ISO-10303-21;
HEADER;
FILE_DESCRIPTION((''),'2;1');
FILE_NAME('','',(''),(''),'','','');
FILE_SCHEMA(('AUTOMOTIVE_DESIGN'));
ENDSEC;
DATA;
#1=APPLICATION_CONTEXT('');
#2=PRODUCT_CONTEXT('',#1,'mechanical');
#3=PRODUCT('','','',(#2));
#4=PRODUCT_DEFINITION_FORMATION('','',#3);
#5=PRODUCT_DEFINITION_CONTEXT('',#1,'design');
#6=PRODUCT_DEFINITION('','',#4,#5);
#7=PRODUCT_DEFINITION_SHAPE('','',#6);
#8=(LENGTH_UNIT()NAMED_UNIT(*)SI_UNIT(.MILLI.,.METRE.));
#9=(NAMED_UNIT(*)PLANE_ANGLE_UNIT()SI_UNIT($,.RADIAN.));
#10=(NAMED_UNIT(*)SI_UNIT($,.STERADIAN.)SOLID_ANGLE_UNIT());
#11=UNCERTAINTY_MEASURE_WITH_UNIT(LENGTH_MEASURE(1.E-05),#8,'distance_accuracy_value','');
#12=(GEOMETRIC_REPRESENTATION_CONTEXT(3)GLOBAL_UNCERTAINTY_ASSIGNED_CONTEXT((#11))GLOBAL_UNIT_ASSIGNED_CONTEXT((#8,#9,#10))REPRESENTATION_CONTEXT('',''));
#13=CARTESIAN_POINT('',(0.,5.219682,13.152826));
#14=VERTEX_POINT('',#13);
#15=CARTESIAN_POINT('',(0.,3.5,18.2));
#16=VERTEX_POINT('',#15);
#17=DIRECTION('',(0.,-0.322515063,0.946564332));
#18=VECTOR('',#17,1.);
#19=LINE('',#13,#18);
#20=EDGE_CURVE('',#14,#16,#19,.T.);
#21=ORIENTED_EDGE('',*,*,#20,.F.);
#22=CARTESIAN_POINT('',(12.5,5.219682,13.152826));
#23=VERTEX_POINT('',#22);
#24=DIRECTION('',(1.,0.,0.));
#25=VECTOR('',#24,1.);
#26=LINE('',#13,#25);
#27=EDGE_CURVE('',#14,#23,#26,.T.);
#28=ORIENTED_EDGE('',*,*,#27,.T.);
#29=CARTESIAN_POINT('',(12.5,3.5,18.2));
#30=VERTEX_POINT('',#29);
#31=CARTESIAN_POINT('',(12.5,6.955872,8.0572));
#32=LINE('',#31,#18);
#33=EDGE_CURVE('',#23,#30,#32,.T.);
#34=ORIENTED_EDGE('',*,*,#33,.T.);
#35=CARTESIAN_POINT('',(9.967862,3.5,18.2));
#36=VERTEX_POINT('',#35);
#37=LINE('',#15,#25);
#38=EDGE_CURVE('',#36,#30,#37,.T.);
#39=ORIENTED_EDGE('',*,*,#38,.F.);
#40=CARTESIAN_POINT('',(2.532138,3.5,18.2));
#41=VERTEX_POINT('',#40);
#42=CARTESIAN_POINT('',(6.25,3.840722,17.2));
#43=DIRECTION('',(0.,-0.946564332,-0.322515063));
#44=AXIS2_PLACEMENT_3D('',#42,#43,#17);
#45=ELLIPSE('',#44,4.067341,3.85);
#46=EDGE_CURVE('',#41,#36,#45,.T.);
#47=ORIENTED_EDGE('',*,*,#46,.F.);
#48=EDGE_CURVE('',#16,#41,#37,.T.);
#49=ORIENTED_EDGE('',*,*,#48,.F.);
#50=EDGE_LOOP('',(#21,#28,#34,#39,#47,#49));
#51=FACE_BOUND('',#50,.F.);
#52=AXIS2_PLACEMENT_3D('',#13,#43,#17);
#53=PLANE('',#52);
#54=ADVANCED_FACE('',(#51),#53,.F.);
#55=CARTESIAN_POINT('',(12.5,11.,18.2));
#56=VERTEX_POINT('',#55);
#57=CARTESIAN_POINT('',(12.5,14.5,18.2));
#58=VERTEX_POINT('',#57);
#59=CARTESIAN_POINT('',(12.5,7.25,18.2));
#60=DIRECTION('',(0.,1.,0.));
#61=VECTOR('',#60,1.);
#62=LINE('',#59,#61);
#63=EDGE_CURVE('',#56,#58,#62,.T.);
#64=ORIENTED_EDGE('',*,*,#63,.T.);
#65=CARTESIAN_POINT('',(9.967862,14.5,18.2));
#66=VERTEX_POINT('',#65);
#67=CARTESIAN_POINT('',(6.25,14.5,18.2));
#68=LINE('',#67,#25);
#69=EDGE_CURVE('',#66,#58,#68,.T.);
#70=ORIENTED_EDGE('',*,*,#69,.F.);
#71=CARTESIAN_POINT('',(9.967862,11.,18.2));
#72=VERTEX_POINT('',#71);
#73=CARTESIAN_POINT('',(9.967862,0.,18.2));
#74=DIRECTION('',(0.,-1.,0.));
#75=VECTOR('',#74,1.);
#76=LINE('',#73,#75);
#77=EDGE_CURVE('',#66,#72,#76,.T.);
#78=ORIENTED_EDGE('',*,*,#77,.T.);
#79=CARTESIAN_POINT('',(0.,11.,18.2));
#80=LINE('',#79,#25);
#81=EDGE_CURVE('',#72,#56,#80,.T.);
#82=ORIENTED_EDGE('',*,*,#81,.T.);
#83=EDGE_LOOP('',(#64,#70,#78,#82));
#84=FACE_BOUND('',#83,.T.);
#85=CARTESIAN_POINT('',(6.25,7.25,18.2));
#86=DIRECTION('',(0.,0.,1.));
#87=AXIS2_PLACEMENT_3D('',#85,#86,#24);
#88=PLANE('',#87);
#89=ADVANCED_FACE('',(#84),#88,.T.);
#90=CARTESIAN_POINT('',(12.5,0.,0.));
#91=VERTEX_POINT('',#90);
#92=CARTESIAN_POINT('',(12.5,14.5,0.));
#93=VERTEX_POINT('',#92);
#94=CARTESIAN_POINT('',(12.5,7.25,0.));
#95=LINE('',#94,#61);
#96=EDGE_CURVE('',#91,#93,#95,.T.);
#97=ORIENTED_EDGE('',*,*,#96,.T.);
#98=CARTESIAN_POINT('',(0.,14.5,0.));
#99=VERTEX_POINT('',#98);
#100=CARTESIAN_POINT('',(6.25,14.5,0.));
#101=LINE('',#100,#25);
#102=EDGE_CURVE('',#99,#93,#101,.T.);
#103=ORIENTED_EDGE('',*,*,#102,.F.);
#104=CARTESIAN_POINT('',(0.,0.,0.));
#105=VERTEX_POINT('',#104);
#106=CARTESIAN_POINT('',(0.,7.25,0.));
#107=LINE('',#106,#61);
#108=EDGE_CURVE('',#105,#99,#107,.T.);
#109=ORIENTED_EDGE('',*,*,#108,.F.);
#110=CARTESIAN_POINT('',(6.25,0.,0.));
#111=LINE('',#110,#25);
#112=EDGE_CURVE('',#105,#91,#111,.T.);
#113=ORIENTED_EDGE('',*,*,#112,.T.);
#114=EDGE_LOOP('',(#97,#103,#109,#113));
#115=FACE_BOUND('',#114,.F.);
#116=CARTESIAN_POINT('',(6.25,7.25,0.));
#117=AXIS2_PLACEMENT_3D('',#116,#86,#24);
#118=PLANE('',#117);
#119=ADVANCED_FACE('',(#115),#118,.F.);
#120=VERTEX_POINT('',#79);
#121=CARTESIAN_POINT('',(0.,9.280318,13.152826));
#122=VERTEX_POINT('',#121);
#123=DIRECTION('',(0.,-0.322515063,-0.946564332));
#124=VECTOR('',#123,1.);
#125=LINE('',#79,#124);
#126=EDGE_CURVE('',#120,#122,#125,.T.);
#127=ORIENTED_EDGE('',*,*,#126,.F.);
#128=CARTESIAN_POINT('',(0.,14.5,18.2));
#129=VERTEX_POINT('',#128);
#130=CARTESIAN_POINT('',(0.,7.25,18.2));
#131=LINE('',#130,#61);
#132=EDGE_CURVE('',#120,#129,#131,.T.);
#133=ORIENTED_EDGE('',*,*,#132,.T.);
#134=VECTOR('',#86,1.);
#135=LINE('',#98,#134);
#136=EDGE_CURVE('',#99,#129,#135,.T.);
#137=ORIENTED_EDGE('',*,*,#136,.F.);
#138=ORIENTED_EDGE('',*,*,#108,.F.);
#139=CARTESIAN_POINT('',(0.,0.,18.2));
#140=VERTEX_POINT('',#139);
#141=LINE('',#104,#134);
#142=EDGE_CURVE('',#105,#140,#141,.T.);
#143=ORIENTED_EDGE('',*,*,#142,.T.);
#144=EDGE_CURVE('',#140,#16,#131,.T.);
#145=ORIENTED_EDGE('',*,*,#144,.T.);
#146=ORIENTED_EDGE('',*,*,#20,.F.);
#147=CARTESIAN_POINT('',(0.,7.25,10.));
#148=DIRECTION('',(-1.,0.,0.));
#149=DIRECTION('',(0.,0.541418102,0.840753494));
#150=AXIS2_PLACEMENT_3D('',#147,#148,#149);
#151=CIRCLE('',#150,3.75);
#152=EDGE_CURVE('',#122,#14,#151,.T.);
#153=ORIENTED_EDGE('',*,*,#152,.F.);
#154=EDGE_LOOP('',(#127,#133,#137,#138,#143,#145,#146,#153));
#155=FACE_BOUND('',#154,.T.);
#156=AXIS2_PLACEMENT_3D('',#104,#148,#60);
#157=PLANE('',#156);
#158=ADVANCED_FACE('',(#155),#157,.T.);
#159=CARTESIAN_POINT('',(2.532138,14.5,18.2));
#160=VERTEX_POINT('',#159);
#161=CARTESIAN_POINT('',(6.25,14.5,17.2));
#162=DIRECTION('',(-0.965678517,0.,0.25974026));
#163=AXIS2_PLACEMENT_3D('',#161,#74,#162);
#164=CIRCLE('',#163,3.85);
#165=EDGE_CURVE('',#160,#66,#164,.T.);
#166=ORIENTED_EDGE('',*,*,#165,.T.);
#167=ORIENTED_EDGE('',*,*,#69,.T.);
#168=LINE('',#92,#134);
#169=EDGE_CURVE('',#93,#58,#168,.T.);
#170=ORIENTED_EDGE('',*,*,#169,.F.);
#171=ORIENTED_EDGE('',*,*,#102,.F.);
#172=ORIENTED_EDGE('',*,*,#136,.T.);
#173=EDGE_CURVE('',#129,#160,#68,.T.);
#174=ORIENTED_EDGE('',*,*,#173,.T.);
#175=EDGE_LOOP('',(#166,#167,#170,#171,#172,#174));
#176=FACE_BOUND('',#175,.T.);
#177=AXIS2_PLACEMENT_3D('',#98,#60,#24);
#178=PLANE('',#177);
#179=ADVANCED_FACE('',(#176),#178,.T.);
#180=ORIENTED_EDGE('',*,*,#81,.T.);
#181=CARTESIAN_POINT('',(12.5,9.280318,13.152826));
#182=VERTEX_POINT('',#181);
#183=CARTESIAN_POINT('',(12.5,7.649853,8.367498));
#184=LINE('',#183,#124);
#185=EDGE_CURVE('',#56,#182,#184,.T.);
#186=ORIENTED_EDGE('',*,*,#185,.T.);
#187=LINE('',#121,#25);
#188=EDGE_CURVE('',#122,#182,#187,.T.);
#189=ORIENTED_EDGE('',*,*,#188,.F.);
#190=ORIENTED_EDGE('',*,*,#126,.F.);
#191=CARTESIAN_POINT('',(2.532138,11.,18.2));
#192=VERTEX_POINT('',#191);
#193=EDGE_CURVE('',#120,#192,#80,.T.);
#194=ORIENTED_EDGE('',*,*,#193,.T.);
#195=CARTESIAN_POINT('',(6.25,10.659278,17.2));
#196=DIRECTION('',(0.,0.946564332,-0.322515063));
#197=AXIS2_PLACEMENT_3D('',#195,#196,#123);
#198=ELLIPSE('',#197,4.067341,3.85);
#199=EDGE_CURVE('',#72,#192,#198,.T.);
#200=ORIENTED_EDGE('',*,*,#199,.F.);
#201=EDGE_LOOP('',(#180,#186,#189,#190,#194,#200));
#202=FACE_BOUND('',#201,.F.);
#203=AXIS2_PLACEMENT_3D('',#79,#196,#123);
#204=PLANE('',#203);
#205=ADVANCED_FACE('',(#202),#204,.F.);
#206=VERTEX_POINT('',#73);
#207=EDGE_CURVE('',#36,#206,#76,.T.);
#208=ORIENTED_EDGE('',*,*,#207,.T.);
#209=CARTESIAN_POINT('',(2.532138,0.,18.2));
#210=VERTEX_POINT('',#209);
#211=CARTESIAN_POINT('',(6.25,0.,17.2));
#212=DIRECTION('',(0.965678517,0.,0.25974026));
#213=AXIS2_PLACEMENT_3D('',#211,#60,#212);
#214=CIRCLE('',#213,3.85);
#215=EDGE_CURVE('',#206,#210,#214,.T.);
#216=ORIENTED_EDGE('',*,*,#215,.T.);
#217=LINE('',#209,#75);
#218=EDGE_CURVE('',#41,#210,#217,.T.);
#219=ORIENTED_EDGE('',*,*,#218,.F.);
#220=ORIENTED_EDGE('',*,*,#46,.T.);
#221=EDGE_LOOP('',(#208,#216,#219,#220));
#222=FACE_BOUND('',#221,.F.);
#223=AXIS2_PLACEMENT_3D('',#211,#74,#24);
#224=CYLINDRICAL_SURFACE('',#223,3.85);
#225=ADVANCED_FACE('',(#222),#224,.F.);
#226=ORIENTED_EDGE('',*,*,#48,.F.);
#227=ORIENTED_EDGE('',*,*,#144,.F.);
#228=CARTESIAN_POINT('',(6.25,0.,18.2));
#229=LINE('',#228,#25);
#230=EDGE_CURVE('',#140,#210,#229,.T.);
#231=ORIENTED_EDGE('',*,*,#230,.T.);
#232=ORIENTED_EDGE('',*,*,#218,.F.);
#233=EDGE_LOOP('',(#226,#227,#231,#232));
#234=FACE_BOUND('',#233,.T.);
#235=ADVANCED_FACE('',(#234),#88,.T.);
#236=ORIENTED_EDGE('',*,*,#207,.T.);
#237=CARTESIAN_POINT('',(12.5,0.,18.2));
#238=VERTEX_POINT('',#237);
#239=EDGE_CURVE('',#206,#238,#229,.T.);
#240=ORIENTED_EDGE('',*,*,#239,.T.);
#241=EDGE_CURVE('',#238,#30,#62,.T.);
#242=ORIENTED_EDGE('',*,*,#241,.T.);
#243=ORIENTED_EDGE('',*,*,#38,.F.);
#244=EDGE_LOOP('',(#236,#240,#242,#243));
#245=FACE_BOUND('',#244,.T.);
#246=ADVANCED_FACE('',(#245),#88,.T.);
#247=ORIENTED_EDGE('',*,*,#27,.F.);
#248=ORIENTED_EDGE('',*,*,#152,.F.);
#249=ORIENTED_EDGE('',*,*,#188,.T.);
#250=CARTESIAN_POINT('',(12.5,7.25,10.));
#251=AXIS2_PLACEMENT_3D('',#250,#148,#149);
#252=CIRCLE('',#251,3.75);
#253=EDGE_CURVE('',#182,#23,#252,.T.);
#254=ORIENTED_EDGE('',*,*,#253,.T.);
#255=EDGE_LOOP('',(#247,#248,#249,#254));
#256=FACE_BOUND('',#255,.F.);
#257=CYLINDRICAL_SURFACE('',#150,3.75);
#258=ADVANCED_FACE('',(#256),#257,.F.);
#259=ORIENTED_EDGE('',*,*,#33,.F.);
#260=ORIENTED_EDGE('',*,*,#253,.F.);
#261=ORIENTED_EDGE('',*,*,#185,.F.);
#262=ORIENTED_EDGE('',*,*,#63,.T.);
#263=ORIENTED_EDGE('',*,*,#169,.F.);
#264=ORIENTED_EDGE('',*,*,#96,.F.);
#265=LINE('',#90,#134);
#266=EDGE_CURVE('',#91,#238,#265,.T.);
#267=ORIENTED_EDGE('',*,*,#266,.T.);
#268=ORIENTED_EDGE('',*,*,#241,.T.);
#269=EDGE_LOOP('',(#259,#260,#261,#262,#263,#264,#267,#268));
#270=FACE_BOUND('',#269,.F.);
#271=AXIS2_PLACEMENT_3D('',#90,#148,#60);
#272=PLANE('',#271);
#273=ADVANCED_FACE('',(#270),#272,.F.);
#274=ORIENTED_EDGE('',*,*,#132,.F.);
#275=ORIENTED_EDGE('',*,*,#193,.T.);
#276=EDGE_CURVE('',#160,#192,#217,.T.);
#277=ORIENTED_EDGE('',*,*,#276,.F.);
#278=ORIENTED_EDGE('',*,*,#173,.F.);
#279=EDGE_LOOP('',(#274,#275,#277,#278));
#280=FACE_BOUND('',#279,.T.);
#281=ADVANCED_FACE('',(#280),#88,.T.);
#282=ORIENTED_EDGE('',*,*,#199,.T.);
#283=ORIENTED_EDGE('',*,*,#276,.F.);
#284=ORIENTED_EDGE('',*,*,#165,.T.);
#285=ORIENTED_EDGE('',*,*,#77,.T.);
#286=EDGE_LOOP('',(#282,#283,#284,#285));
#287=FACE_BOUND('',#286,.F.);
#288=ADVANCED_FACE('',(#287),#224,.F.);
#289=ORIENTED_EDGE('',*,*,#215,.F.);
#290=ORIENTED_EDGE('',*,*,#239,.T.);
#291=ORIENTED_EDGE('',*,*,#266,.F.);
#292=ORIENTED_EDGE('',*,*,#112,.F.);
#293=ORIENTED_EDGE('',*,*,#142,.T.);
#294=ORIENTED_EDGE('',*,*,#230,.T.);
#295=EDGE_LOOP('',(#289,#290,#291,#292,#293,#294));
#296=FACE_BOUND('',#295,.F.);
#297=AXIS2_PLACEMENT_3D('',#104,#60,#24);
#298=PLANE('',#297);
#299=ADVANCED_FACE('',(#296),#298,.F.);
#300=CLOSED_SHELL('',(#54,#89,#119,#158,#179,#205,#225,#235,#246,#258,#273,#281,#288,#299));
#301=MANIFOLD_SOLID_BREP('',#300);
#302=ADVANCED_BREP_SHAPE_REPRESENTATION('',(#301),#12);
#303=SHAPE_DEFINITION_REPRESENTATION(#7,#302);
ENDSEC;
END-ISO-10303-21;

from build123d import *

# Parameters (mm, degrees)
F0_W     = 12.5
F0_H     = 14.5
F1_DEPTH = 18.2
F2_R     = 3.85
F3_DEPTH = 25
F5_DEPTH = 25


with BuildPart() as f1:
    # F0 (on Top) → F1 (new body)
    with BuildSketch(Plane.XY):
        with Locations((6.25, 7.25)):
            Rectangle(F0_W, F0_H)
    extrude(amount=F1_DEPTH)

    # F2 (on face) → F3 (cut)
    with BuildSketch(Plane.XZ):
        with Locations((6.25, 17.2)):
            Circle(F2_R)
    extrude(amount=-F3_DEPTH, mode=Mode.SUBTRACT)

    # F4 (on face) → F5 (cut)
    with BuildSketch(Plane(origin=(0, 0, 0), x_dir=(0, -1, 0), z_dir=(-1, 0, 0))):
        with BuildLine():
            Line((-11, 18.2), (-9.280318, 13.152826))
            ThreePointArc((-9.280318, 13.152826), (-7.25, 6.25), (-5.219682, 13.152826))
            Line((-5.219682, 13.152826), (-3.5, 18.2))
            Line((-3.5, 18.2), (-11, 18.2))
        make_face()
    extrude(amount=-F5_DEPTH, mode=Mode.SUBTRACT)


solid = f1.part
